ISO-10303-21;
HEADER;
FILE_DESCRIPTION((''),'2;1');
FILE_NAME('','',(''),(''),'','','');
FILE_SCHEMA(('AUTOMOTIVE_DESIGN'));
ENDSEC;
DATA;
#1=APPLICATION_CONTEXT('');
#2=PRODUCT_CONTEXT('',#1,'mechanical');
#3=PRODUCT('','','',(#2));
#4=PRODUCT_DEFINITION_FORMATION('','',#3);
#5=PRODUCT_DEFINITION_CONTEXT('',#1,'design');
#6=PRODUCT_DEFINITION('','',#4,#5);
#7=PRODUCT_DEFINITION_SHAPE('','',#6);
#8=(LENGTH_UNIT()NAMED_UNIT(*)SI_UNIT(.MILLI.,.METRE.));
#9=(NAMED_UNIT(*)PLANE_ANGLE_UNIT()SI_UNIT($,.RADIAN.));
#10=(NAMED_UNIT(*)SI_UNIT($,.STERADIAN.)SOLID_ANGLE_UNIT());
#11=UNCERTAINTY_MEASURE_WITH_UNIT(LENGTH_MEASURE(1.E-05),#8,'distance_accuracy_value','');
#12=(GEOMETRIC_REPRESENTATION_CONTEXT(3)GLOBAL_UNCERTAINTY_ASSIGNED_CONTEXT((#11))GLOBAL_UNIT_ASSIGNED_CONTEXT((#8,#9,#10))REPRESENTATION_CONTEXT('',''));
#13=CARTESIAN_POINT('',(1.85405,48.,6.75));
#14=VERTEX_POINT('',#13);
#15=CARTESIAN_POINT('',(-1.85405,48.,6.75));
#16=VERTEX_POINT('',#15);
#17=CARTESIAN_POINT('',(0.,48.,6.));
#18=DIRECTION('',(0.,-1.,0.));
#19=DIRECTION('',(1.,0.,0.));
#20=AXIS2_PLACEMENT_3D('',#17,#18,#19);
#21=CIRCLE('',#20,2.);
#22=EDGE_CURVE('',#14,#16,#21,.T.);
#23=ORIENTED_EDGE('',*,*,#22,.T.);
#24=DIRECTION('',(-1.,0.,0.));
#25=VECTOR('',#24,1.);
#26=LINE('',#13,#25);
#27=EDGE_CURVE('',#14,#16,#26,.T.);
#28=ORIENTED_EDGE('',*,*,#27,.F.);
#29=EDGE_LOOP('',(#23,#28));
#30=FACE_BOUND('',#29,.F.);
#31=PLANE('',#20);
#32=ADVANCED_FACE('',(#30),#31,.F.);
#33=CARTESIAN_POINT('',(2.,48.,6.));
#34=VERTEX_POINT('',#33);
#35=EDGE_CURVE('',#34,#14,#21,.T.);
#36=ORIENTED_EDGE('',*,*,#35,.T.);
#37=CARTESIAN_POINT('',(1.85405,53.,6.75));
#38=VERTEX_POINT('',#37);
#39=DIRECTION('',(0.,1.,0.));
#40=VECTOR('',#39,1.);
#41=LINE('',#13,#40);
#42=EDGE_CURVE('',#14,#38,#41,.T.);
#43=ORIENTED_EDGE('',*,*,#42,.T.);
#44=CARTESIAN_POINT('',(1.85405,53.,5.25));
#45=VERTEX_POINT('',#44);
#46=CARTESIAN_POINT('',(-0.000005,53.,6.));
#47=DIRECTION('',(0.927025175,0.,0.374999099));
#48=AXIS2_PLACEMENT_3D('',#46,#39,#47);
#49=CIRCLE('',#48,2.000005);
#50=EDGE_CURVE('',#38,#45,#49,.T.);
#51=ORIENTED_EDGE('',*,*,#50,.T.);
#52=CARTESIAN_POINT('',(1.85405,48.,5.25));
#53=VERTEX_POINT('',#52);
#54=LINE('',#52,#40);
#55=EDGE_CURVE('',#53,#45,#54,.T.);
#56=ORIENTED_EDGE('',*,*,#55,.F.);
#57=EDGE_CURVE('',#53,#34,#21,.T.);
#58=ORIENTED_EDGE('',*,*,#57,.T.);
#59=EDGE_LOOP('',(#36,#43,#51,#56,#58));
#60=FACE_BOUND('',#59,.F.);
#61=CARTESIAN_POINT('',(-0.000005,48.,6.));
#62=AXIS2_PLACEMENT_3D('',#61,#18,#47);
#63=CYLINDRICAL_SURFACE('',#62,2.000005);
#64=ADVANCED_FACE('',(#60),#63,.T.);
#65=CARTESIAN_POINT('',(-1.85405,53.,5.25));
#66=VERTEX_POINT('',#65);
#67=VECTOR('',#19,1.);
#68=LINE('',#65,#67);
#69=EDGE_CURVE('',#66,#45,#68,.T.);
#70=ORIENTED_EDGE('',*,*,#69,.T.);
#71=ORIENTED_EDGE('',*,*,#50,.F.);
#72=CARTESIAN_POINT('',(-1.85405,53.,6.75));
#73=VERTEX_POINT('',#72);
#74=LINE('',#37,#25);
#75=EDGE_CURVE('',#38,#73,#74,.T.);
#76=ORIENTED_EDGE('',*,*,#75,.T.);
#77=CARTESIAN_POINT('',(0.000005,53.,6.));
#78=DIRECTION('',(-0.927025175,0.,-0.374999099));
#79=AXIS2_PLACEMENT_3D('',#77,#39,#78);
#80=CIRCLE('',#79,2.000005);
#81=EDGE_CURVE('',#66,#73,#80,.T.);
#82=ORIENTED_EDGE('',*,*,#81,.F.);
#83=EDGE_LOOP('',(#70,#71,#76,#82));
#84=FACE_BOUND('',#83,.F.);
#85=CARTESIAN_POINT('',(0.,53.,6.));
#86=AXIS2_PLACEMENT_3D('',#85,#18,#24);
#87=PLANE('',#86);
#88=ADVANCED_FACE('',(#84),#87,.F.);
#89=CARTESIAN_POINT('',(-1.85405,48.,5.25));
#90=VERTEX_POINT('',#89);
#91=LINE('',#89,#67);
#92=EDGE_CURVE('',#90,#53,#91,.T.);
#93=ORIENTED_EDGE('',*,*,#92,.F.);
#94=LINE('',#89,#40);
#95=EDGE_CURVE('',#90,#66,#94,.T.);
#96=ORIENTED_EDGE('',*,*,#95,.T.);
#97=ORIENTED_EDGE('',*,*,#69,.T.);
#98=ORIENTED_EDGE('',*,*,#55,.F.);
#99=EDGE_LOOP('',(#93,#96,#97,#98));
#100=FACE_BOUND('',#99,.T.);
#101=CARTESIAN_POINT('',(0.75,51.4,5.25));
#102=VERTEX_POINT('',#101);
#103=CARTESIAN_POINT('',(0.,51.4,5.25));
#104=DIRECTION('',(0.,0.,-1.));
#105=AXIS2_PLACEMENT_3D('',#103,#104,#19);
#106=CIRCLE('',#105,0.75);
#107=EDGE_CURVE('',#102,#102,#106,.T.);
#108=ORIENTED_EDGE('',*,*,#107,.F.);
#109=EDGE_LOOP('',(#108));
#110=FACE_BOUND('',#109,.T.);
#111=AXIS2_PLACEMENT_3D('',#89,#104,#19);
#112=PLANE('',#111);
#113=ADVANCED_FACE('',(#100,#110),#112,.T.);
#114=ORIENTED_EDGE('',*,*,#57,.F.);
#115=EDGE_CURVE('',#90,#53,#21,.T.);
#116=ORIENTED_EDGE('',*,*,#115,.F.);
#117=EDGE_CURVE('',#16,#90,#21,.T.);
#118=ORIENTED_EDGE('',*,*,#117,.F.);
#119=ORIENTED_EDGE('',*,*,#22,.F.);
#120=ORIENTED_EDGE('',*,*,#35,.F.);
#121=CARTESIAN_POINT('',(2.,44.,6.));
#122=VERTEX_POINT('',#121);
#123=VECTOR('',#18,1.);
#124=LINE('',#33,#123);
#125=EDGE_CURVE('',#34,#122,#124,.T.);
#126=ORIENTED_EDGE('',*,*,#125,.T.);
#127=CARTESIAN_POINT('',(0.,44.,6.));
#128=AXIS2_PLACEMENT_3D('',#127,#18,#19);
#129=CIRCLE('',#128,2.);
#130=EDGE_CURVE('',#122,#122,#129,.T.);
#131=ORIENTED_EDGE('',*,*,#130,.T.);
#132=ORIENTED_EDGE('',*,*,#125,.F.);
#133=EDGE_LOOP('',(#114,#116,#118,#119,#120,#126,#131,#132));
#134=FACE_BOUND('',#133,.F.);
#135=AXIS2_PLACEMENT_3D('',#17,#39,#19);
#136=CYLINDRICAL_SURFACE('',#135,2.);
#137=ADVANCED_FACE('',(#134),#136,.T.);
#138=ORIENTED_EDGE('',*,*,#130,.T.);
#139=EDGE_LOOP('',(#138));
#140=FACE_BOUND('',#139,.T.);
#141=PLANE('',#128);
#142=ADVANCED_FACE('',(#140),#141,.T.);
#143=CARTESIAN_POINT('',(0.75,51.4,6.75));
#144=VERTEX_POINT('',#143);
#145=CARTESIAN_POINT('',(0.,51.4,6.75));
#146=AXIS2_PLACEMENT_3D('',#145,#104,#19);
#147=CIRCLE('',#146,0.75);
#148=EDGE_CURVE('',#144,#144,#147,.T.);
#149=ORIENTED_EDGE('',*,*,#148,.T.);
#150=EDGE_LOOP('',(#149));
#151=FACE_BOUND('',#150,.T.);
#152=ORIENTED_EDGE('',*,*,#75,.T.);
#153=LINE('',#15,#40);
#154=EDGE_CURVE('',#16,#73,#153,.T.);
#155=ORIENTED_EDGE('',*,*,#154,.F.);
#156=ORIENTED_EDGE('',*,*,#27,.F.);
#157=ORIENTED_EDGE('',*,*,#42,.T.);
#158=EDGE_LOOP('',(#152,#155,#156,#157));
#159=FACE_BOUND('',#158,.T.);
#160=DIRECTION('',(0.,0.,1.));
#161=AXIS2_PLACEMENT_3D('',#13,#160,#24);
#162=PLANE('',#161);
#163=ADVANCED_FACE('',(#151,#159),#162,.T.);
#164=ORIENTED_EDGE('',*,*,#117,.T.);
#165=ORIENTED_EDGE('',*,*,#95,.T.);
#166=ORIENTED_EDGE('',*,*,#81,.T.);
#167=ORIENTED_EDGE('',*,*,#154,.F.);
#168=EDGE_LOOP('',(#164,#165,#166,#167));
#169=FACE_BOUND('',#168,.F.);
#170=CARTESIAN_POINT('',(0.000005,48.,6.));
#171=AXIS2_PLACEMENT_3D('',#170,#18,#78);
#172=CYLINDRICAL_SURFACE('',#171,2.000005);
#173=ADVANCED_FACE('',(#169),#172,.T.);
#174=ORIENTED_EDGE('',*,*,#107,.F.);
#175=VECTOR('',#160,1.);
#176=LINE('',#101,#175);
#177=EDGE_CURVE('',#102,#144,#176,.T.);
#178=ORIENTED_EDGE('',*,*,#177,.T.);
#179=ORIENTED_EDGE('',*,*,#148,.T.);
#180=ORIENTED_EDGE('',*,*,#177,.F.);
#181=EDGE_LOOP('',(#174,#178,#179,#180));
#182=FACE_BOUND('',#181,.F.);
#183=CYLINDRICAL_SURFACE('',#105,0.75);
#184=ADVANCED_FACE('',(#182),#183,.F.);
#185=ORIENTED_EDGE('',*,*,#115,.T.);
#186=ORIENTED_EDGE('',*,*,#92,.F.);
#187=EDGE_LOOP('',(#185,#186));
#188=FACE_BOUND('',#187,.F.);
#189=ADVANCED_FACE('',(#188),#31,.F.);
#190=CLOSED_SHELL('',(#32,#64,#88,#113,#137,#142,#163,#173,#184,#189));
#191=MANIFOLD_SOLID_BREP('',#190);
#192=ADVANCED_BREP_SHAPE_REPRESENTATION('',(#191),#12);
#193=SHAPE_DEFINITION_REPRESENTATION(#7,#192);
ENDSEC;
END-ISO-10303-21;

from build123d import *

# Parameters (mm, degrees)
SKETCH002_R     = 2
PAD_DEPTH       = 4
PAD001_DEPTH    = 5
SKETCH004_R     = 0.75
POCKET001_DEPTH = 5


with BuildPart() as part:
    # Sketch002 → Pad (new body)
    with BuildSketch(Plane.XZ):
        Circle(SKETCH002_R)
    extrude(amount=PAD_DEPTH)

    # Sketch003 (on Face2 of Pad) → Pad001 (join)
    with BuildSketch(Plane(origin=(0, 0, 0), x_dir=(1, 0, 0), z_dir=(0, 1, 0))):
        with BuildLine():
            Line((-1.85405, 0.75), (1.85405, 0.75))
            ThreePointArc((1.85405, -0.75), (2, 0), (1.85405, 0.75))
            Line((1.85405, -0.75), (-1.85405, -0.75))
            ThreePointArc((-1.85405, 0.75), (-2, 0), (-1.85405, -0.75))
        make_face()
    extrude(amount=PAD001_DEPTH)

    # Sketch004 (on Face2 of Pad001) → Pocket001 (cut)
    with BuildSketch(Plane(origin=(0, 0, -0.75), x_dir=(1, 0, 0), z_dir=(0, 0, -1))):
        with Locations((0, -3.4)):
            Circle(SKETCH004_R)
    extrude(amount=-POCKET001_DEPTH, mode=Mode.SUBTRACT)


with BuildPart() as part_1:
    # Body001 placement: moved
    add(part.part.moved(Location((0, 48, 6))))


solid = part_1.part
